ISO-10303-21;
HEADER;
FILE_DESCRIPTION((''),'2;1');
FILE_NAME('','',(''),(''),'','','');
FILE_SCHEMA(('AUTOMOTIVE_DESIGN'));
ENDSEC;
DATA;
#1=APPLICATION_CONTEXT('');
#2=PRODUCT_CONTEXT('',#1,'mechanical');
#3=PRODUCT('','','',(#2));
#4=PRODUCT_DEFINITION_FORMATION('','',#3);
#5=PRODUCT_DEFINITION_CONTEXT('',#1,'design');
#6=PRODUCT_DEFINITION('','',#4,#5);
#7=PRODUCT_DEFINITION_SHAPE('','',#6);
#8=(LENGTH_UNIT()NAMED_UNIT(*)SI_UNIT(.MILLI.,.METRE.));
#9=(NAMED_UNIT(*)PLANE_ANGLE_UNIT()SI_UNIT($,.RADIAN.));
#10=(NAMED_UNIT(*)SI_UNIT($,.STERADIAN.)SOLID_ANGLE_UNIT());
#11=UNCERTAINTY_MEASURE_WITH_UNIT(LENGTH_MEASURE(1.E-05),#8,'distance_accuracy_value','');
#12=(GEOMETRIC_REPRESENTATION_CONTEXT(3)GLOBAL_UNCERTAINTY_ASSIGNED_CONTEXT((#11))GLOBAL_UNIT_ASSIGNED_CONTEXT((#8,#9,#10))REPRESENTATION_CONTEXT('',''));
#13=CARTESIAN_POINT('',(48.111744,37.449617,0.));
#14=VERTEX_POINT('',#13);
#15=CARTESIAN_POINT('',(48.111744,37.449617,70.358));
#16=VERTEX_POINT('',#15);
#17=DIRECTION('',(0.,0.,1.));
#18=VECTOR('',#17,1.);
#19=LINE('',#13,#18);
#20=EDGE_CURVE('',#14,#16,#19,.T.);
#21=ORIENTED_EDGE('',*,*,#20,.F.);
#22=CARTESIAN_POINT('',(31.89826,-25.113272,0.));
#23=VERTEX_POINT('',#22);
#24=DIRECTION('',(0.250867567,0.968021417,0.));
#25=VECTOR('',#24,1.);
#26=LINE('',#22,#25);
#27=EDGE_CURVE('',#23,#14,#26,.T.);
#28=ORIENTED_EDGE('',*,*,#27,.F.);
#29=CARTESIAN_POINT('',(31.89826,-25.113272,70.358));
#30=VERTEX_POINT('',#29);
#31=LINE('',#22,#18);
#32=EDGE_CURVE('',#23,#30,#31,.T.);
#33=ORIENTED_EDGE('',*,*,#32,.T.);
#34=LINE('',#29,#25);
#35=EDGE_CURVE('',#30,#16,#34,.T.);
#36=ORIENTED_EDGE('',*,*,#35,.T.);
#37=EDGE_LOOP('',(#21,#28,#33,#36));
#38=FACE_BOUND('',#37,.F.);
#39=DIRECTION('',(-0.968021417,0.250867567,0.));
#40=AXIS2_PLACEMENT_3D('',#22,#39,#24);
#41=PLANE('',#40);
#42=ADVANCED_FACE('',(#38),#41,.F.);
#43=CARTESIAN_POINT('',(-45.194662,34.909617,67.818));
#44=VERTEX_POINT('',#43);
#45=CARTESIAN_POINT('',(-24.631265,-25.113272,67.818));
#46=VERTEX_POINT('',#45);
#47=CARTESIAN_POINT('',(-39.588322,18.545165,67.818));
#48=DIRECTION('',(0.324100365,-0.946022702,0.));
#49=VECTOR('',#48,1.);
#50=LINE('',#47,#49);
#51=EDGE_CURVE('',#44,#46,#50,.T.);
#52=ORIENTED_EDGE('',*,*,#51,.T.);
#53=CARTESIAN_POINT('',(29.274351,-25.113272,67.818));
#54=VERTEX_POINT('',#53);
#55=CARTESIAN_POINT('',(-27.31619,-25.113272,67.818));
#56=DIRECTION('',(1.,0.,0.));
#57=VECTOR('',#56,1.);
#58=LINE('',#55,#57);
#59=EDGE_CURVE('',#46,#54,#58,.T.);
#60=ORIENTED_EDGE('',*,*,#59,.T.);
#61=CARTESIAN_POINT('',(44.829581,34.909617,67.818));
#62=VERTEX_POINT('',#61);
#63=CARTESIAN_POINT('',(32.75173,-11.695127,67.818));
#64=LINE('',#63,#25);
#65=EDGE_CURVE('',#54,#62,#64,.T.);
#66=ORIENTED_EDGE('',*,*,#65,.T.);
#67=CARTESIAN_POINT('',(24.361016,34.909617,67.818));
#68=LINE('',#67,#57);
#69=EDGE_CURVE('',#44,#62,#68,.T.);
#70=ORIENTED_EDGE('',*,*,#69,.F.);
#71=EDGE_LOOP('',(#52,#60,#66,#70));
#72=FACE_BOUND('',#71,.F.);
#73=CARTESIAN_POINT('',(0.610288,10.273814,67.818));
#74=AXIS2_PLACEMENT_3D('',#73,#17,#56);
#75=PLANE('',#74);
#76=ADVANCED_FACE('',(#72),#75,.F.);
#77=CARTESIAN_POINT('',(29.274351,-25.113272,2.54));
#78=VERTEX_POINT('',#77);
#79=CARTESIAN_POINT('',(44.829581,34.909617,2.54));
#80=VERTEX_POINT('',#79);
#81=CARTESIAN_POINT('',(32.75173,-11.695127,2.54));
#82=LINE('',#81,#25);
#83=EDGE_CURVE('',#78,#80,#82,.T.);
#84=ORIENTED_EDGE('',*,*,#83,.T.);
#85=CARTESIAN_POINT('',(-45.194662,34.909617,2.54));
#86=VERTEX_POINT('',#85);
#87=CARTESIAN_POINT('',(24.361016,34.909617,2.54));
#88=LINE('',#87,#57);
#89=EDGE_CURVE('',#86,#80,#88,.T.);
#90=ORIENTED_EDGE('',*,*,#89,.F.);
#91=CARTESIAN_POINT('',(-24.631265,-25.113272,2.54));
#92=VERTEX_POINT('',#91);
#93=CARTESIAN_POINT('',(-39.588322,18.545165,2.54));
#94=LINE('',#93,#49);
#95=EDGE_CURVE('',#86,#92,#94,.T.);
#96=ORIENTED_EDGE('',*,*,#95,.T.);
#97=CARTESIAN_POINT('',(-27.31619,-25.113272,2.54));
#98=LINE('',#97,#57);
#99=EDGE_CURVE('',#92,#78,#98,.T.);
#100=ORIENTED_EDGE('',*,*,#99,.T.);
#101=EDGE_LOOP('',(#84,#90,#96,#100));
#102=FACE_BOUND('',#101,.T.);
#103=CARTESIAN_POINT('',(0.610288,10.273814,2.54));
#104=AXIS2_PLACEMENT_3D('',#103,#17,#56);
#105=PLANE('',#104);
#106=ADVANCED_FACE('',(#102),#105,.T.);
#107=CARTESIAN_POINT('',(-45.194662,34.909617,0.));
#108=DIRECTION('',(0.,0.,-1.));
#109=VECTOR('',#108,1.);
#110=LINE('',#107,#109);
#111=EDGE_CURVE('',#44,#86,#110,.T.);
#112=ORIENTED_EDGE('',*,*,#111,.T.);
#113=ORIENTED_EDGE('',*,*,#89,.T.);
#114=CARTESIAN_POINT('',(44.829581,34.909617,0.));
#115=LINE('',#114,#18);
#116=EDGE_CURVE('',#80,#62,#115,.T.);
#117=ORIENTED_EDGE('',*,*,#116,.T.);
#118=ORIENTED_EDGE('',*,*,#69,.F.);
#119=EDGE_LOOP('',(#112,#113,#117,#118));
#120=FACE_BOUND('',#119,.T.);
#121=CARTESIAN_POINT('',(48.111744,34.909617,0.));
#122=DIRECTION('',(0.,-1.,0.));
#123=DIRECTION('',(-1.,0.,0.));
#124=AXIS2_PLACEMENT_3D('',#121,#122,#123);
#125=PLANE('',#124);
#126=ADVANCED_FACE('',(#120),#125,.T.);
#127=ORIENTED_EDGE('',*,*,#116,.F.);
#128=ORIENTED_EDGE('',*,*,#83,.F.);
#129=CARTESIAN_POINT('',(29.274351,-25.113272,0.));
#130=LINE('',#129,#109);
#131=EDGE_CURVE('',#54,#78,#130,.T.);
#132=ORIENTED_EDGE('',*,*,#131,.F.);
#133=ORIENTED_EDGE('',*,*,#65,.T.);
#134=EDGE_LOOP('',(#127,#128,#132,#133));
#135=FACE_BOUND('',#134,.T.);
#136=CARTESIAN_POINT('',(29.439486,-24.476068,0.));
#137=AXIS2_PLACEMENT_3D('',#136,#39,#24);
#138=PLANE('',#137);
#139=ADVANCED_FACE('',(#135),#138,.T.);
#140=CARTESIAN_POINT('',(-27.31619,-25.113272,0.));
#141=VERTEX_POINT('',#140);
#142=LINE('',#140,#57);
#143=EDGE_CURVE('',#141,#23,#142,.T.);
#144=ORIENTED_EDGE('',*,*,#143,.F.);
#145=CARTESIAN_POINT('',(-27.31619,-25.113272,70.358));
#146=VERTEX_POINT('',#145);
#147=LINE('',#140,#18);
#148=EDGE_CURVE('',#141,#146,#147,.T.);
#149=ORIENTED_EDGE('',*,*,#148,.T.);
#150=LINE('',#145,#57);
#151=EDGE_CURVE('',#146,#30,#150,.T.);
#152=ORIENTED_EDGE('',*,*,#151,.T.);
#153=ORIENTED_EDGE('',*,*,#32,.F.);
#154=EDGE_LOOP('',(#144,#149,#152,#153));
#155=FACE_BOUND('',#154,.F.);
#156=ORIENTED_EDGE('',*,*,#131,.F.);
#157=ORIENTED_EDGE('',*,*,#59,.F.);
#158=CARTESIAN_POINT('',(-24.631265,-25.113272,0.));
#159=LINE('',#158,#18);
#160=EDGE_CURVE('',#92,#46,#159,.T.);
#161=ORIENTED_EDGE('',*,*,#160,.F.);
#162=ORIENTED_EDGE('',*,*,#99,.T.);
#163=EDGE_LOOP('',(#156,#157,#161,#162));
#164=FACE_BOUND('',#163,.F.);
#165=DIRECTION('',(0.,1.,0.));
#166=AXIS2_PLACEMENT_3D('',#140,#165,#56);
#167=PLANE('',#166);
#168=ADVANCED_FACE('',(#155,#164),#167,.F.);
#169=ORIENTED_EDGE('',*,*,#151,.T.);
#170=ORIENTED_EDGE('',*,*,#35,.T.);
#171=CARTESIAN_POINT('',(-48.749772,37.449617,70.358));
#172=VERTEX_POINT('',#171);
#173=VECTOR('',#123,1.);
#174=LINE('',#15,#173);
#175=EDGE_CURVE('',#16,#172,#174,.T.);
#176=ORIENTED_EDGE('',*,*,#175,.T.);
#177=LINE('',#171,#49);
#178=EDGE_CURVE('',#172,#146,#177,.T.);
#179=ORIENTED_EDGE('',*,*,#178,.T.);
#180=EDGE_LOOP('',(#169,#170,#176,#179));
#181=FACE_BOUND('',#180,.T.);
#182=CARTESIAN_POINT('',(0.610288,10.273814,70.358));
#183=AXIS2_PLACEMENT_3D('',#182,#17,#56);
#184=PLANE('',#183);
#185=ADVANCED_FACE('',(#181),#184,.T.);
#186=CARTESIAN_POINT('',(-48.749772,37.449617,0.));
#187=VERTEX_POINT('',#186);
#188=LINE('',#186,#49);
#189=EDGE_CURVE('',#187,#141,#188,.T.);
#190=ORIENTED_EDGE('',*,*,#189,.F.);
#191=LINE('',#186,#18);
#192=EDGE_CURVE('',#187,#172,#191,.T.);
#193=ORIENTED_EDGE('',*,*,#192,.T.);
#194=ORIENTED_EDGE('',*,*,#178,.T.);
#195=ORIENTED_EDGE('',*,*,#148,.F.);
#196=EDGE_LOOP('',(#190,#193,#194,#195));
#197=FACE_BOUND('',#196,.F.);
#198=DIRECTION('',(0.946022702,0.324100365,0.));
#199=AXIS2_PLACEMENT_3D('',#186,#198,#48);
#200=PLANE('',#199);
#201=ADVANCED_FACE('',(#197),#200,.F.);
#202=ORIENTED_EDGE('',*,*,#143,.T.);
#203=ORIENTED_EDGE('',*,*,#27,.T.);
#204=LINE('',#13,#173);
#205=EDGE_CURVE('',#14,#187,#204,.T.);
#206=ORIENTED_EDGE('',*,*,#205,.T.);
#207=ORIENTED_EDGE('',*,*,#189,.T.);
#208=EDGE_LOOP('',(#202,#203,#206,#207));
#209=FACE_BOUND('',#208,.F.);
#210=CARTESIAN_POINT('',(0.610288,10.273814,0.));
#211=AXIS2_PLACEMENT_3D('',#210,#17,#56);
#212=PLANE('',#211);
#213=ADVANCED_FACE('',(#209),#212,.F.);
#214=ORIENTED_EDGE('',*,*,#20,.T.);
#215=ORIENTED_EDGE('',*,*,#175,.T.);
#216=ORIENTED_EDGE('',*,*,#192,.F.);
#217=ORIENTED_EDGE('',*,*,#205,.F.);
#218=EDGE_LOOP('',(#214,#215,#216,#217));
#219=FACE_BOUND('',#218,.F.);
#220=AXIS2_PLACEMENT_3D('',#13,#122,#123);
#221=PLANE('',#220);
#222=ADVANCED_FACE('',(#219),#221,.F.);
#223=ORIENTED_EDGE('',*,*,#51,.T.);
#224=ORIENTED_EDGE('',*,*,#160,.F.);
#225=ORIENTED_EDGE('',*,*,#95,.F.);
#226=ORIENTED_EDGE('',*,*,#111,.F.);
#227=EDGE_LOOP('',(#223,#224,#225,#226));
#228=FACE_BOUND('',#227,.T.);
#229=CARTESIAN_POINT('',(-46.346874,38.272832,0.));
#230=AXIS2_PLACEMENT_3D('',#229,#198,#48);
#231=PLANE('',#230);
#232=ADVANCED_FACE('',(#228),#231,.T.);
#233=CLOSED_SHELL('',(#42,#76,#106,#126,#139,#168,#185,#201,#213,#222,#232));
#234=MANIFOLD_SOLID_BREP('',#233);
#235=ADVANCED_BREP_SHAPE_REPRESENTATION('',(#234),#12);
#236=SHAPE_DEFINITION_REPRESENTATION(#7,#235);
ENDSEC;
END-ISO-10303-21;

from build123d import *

# Parameters (mm, degrees)
F1_DEPTH = 70.358
F3_T     = -2.54


with BuildPart() as f1:
    # F0 (on Top) → F1 (new body)
    with BuildSketch(Plane.XY):
        Polygon((48.111744, 37.449617), (-48.749772, 37.449617), (-27.31619, -25.113272), (31.89826, -25.113272), align=None)
    extrude(amount=F1_DEPTH)

    # F3
    f3_openings = [f1.faces().sort_by_distance(p)[0] for p in [
        (2.291035, -25.113272, 35.179),
    ]]
    offset(amount=F3_T, openings=f3_openings)


solid = f1.part
